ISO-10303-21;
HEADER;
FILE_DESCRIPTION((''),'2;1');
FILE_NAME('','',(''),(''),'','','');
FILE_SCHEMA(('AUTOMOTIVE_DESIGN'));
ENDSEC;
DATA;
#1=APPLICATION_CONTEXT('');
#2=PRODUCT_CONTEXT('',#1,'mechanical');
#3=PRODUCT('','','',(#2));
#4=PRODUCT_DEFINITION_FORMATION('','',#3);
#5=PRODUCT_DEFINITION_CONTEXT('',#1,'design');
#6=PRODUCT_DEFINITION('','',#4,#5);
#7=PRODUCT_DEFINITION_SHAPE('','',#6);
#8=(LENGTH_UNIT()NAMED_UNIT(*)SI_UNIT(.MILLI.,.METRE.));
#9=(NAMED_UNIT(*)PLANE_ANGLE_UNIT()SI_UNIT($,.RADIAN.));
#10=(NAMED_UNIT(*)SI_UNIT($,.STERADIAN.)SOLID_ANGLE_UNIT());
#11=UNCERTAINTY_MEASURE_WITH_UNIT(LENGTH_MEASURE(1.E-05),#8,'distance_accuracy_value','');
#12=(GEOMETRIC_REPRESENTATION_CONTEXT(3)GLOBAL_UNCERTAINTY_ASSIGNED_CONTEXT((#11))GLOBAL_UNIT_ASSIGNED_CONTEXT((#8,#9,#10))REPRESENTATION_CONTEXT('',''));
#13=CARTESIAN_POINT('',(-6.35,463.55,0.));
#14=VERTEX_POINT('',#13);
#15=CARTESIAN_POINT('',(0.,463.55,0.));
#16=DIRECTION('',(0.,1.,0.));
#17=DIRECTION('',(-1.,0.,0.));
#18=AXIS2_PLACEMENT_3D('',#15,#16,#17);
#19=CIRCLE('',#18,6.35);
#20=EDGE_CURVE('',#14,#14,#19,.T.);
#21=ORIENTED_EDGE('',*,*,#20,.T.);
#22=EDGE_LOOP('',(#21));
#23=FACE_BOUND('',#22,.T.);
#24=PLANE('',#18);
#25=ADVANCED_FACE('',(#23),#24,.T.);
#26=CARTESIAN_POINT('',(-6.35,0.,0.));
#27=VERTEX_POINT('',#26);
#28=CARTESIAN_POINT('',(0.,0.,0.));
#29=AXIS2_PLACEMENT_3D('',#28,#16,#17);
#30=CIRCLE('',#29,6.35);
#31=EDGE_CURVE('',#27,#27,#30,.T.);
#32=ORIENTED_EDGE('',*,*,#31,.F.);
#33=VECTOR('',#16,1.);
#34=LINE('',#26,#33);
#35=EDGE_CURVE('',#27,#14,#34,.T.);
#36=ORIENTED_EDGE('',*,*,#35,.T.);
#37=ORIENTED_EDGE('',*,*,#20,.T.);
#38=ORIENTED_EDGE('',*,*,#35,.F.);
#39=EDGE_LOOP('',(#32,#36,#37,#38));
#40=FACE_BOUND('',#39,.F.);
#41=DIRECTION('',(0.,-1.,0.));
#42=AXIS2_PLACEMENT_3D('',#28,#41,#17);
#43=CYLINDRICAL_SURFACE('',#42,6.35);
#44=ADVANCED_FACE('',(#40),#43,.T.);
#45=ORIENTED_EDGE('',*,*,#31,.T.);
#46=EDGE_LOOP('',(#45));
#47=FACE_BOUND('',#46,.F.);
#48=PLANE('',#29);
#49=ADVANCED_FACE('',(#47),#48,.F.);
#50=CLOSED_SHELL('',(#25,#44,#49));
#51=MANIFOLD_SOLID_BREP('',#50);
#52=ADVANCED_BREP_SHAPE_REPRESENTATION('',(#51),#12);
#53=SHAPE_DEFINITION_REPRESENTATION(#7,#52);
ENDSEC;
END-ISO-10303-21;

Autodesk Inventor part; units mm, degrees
ref_plane "YZ Plane" through (0, 0, 0) normal (1, 0, 0) x (0, 1, 0)
ref_plane "XZ Plane" through (0, 0, 0) normal (0, 1, 0) x (-1, 0, 0)
ref_plane "XY Plane" through (0, 0, 0) normal (0, 0, 1) x (1, 0, 0)
sketch "Sketch1" plane through (0, 0, 0) normal (0, 1, 0) x (-1, 0, 0)
  circle A0 centre (0, 0) radius 6.35
  dimension "d0" = 12.7
extrude "Extrusion1" add sketch "Sketch1" along normal blind 463.55
properties part number "SquareCrossBrace"
